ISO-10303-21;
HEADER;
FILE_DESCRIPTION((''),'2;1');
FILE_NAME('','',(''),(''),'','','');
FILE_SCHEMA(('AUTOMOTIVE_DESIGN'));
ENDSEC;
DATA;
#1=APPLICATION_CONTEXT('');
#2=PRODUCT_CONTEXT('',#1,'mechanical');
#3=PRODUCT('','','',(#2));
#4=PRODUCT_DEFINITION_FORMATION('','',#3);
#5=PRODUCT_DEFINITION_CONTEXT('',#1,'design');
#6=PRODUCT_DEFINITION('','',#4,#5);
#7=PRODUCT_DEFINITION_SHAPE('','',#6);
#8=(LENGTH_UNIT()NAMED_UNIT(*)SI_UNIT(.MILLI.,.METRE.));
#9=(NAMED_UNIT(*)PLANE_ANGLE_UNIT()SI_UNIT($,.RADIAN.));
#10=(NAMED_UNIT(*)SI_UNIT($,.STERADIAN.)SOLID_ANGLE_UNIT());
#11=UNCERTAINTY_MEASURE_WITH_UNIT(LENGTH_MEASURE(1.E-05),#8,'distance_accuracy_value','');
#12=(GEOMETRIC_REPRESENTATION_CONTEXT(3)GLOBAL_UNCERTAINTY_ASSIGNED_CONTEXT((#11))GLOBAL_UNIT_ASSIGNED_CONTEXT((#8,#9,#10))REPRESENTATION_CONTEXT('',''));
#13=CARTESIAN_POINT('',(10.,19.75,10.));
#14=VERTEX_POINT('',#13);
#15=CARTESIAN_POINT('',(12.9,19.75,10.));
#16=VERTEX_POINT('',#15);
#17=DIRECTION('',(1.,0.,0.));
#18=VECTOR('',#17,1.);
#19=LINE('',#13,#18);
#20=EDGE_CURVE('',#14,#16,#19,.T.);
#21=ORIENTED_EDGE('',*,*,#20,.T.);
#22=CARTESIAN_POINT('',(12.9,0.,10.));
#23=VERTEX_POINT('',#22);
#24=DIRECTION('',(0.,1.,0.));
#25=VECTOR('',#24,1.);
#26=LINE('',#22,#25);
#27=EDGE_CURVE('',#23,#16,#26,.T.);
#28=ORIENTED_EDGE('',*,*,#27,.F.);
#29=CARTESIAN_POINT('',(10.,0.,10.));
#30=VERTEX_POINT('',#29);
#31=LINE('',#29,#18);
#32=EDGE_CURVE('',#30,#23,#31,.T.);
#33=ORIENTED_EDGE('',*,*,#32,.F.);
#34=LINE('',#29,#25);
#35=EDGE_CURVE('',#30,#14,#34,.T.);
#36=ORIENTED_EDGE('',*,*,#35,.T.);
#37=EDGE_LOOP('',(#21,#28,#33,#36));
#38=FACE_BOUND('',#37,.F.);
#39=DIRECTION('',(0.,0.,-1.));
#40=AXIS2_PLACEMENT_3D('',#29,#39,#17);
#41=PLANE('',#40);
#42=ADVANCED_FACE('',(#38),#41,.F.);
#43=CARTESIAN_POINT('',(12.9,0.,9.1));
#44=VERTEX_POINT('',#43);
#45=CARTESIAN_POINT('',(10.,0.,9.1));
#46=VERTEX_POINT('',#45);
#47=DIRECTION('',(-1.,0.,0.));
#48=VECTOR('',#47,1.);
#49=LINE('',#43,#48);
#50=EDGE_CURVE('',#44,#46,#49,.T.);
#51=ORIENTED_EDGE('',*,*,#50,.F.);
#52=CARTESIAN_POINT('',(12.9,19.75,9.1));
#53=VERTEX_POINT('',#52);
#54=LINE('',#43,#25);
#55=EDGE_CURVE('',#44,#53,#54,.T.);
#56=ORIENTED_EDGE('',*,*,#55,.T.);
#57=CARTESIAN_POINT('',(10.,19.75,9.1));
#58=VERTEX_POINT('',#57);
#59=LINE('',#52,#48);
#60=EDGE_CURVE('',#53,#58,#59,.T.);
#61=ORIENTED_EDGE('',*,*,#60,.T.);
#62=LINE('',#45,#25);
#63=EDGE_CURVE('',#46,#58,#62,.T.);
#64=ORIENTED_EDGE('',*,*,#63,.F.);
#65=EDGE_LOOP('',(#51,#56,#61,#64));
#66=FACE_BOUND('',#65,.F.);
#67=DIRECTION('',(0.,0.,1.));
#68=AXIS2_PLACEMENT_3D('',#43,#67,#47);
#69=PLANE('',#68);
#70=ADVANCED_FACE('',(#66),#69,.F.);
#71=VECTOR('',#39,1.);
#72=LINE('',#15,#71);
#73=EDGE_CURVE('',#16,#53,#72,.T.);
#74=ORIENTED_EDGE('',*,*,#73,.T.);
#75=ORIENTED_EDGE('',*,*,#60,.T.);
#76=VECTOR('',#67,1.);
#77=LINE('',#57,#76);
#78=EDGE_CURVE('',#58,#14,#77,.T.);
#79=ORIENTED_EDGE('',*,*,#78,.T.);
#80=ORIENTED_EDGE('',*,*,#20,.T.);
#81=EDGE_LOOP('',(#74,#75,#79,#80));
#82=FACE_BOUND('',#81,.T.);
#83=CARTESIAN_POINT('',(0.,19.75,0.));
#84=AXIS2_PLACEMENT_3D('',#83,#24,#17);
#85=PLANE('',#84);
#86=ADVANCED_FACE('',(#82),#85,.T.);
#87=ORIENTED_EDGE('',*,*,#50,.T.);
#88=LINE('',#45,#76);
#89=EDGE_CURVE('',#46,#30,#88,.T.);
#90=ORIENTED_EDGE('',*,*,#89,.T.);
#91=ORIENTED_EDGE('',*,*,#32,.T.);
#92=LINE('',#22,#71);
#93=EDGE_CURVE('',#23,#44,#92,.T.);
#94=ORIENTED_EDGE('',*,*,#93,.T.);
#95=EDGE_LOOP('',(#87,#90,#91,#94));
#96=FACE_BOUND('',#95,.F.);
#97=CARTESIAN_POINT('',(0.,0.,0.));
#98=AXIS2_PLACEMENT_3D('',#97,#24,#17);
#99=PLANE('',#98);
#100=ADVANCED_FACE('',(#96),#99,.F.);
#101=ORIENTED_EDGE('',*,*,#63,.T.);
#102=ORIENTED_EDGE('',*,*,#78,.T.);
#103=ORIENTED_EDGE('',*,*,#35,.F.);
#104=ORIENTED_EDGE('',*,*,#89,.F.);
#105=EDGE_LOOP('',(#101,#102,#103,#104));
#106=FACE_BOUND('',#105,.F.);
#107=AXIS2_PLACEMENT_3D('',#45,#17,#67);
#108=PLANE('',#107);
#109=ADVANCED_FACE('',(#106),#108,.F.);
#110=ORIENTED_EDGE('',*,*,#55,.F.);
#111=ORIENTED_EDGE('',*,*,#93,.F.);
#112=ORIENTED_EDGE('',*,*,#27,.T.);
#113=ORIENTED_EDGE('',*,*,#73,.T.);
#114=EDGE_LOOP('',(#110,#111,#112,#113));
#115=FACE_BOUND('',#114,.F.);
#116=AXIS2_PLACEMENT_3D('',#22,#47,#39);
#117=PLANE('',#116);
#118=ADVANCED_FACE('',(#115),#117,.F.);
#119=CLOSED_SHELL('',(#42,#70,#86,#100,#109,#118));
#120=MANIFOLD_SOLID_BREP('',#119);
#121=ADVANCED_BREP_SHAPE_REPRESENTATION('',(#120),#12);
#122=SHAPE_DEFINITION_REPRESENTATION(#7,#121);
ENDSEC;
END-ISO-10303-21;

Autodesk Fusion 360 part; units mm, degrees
sketch "Sketch1" plane through (0, 0, 0) normal (0, 1, 0) x (1, 0, 0)
  line L0 (10, -10) -> (12.9, -10)
  line L1 (12.9, -10) -> (12.9, -9.1)
  line L2 (12.9, -9.1) -> (10, -9.1)
  line L3 (10, -9.1) -> (10, -10)
  dimension "d1" = 2.9
  dimension "d2" = 0.9
extrude "Extrude1" add sketch "Sketch1" along normal blind 19.75
